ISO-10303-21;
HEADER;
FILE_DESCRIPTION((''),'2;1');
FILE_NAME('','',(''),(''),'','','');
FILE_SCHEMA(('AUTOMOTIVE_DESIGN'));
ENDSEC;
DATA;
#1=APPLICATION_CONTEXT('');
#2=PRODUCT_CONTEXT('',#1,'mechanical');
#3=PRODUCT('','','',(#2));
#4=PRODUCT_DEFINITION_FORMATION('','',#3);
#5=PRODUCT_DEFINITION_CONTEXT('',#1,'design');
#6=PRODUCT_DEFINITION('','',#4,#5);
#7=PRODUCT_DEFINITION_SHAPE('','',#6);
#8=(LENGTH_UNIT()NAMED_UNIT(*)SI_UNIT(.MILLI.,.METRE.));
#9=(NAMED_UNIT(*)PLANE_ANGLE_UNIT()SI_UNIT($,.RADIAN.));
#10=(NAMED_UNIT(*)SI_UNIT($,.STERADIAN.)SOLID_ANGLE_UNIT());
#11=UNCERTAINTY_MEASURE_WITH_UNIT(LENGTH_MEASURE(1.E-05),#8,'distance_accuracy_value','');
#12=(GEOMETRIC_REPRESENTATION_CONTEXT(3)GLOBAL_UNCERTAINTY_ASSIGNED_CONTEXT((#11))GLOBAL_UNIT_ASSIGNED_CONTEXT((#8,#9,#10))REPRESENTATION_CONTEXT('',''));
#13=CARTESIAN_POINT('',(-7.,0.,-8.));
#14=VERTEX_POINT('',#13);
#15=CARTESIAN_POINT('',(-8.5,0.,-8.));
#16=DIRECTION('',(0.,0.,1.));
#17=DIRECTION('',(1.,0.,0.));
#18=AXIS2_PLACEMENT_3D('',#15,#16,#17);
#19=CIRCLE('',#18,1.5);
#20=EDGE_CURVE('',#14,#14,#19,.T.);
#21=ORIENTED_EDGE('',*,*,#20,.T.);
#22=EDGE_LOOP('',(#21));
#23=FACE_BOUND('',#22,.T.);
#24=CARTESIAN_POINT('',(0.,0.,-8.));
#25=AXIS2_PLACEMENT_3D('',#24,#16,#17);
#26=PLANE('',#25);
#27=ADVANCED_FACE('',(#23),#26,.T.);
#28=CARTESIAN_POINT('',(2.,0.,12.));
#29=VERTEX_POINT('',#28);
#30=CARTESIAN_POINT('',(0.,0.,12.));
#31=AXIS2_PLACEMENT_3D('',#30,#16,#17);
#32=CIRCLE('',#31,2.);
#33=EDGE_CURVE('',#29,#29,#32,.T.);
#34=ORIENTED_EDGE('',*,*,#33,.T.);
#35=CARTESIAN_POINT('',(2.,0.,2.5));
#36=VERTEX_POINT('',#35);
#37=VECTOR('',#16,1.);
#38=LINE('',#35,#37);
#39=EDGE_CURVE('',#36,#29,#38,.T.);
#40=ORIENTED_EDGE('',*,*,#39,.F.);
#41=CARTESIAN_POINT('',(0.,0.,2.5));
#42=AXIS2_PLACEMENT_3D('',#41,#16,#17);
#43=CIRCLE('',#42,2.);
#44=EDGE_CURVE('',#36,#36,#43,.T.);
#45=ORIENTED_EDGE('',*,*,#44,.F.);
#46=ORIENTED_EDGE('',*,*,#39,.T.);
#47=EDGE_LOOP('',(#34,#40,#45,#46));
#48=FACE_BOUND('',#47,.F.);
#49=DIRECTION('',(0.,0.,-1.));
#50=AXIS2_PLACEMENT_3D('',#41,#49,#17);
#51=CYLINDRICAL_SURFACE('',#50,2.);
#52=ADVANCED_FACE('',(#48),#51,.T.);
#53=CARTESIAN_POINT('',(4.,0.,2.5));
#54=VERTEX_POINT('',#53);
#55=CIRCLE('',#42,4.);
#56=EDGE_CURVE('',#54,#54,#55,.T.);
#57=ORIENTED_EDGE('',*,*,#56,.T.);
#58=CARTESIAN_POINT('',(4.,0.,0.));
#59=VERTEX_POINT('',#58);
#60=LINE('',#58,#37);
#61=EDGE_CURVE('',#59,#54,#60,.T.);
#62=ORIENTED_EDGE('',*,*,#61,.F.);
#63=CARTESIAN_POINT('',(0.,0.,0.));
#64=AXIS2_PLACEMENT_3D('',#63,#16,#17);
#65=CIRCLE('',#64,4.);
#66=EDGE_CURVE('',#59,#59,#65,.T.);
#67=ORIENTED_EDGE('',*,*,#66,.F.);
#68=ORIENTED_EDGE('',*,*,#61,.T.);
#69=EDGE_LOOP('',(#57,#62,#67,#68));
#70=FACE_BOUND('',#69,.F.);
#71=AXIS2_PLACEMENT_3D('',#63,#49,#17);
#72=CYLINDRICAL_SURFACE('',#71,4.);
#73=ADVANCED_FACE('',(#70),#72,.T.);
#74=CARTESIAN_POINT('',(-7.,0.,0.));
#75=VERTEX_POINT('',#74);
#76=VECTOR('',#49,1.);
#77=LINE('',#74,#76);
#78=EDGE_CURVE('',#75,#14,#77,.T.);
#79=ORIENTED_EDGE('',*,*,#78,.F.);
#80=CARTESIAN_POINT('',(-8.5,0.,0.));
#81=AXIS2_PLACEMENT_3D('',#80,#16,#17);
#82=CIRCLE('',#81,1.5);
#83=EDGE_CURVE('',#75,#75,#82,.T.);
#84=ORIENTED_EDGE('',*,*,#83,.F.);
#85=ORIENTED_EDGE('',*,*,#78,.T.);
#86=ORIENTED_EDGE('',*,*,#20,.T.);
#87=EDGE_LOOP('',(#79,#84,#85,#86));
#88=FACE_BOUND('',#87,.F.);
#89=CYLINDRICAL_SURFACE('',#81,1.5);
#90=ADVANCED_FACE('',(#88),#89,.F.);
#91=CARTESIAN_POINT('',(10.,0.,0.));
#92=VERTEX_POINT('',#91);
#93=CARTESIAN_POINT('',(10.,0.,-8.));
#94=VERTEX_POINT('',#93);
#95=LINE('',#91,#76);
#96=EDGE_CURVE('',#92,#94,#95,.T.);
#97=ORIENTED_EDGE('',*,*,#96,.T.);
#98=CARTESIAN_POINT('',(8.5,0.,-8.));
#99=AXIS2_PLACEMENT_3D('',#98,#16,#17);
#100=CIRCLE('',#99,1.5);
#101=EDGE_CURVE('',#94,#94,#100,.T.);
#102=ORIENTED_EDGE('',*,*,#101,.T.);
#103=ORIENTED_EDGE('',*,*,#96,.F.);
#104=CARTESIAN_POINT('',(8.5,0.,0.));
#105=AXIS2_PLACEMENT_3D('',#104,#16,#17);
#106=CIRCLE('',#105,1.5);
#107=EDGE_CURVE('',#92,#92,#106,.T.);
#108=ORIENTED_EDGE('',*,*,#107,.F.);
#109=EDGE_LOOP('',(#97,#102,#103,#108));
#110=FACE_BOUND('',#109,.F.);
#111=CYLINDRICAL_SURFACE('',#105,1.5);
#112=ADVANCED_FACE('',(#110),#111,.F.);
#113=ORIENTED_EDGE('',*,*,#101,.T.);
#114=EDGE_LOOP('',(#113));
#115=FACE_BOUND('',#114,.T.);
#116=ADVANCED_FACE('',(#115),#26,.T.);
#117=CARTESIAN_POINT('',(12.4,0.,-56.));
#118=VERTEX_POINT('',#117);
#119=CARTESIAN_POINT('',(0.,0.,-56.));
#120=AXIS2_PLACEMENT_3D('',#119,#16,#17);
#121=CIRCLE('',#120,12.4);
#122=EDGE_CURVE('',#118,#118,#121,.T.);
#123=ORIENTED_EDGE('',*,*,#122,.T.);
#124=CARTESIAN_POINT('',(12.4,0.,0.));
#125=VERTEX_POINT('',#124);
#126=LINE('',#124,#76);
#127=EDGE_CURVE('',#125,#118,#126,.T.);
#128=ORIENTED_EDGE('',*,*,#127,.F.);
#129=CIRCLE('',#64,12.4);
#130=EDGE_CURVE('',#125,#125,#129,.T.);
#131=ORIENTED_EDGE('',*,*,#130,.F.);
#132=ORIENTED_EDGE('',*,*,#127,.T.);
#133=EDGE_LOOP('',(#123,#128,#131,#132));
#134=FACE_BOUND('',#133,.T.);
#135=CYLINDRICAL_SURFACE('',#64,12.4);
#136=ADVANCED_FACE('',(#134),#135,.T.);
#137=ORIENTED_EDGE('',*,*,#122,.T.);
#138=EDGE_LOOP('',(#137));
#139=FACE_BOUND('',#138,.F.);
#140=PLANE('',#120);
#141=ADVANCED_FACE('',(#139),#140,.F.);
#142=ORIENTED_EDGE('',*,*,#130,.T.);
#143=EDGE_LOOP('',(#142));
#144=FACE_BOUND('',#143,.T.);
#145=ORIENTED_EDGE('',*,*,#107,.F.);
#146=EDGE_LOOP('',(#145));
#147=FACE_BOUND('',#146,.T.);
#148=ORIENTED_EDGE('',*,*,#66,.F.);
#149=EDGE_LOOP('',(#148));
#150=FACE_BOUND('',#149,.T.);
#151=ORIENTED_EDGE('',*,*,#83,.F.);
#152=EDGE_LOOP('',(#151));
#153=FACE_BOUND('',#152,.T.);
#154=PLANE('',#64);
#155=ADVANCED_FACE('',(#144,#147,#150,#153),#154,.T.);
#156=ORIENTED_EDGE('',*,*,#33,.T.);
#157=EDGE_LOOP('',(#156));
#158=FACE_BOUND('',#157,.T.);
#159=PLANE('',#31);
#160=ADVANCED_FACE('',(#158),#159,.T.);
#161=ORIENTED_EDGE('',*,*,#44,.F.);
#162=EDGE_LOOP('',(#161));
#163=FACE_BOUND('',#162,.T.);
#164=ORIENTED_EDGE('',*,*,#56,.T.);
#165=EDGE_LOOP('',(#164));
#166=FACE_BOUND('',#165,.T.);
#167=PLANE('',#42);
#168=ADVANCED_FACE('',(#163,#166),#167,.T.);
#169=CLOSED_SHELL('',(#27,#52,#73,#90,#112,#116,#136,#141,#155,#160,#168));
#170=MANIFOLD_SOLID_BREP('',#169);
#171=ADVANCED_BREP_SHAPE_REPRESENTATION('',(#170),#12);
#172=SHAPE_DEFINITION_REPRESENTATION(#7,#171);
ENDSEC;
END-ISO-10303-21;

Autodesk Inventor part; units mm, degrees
ref_plane "YZ Plane" through (0, 0, 0) normal (1, 0, 0) x (0, 1, 0)
ref_plane "XY Plane" through (0, 0, 0) normal (0, 0, 1) x (1, 0, 0)
sketch "Sketch1" plane through (0, 0, 0) normal (0, 0, 1) x (1, 0, 0)
  circle A0 centre (0, 0) radius 12.4
  dimension "d0" = 24.8
extrude "Extrusion1" add sketch "Sketch1" against normal blind 56
sketch "Sketch2" plane through (0, 0, 0) normal (0, 0, 1) x (1, 0, 0)
  circle A0 centre (0, 0) radius 4
  dimension "d3" = 8
extrude "Extrusion2" add sketch "Sketch2" along normal blind 2.5
sketch "Sketch3" plane through (0, 0, 2.5) normal (0, 0, 1) x (1, 0, 0)
  circle A0 centre (0, 0) radius 2
  dimension "d6" = 4
extrude "Extrusion3" add sketch "Sketch3" along normal blind 9.5
sketch "Sketch4" plane through (0, 0, 0) normal (0, 0, 1) x (1, 0, 0)
  circle A0 centre (-8.5, 0) radius 1.5
  circle A1 centre (8.5, 0) radius 1.5
  circle A2 centre (0, 0) radius 2 projected
  line L0 (-8.5, 0) -> (0, 0) construction
  line L1 (0, 0) -> (8.5, 0) construction
  dimension "d9" = 3
  dimension "d10" = 3
  dimension "d11" = 17
  dimension "d12" = 8.5
extrude "Extrusion4" cut sketch "Sketch4" against normal blind 8 contours A0 | A1
ref_plane "Work Plane1" through (0, -12.4, 0) normal (0, 1, 0) x (-1, 0, 0)
equation "\"d10\" = d9"
equation "\"d12\" = 0.5 * d11"
properties part number "motor"
